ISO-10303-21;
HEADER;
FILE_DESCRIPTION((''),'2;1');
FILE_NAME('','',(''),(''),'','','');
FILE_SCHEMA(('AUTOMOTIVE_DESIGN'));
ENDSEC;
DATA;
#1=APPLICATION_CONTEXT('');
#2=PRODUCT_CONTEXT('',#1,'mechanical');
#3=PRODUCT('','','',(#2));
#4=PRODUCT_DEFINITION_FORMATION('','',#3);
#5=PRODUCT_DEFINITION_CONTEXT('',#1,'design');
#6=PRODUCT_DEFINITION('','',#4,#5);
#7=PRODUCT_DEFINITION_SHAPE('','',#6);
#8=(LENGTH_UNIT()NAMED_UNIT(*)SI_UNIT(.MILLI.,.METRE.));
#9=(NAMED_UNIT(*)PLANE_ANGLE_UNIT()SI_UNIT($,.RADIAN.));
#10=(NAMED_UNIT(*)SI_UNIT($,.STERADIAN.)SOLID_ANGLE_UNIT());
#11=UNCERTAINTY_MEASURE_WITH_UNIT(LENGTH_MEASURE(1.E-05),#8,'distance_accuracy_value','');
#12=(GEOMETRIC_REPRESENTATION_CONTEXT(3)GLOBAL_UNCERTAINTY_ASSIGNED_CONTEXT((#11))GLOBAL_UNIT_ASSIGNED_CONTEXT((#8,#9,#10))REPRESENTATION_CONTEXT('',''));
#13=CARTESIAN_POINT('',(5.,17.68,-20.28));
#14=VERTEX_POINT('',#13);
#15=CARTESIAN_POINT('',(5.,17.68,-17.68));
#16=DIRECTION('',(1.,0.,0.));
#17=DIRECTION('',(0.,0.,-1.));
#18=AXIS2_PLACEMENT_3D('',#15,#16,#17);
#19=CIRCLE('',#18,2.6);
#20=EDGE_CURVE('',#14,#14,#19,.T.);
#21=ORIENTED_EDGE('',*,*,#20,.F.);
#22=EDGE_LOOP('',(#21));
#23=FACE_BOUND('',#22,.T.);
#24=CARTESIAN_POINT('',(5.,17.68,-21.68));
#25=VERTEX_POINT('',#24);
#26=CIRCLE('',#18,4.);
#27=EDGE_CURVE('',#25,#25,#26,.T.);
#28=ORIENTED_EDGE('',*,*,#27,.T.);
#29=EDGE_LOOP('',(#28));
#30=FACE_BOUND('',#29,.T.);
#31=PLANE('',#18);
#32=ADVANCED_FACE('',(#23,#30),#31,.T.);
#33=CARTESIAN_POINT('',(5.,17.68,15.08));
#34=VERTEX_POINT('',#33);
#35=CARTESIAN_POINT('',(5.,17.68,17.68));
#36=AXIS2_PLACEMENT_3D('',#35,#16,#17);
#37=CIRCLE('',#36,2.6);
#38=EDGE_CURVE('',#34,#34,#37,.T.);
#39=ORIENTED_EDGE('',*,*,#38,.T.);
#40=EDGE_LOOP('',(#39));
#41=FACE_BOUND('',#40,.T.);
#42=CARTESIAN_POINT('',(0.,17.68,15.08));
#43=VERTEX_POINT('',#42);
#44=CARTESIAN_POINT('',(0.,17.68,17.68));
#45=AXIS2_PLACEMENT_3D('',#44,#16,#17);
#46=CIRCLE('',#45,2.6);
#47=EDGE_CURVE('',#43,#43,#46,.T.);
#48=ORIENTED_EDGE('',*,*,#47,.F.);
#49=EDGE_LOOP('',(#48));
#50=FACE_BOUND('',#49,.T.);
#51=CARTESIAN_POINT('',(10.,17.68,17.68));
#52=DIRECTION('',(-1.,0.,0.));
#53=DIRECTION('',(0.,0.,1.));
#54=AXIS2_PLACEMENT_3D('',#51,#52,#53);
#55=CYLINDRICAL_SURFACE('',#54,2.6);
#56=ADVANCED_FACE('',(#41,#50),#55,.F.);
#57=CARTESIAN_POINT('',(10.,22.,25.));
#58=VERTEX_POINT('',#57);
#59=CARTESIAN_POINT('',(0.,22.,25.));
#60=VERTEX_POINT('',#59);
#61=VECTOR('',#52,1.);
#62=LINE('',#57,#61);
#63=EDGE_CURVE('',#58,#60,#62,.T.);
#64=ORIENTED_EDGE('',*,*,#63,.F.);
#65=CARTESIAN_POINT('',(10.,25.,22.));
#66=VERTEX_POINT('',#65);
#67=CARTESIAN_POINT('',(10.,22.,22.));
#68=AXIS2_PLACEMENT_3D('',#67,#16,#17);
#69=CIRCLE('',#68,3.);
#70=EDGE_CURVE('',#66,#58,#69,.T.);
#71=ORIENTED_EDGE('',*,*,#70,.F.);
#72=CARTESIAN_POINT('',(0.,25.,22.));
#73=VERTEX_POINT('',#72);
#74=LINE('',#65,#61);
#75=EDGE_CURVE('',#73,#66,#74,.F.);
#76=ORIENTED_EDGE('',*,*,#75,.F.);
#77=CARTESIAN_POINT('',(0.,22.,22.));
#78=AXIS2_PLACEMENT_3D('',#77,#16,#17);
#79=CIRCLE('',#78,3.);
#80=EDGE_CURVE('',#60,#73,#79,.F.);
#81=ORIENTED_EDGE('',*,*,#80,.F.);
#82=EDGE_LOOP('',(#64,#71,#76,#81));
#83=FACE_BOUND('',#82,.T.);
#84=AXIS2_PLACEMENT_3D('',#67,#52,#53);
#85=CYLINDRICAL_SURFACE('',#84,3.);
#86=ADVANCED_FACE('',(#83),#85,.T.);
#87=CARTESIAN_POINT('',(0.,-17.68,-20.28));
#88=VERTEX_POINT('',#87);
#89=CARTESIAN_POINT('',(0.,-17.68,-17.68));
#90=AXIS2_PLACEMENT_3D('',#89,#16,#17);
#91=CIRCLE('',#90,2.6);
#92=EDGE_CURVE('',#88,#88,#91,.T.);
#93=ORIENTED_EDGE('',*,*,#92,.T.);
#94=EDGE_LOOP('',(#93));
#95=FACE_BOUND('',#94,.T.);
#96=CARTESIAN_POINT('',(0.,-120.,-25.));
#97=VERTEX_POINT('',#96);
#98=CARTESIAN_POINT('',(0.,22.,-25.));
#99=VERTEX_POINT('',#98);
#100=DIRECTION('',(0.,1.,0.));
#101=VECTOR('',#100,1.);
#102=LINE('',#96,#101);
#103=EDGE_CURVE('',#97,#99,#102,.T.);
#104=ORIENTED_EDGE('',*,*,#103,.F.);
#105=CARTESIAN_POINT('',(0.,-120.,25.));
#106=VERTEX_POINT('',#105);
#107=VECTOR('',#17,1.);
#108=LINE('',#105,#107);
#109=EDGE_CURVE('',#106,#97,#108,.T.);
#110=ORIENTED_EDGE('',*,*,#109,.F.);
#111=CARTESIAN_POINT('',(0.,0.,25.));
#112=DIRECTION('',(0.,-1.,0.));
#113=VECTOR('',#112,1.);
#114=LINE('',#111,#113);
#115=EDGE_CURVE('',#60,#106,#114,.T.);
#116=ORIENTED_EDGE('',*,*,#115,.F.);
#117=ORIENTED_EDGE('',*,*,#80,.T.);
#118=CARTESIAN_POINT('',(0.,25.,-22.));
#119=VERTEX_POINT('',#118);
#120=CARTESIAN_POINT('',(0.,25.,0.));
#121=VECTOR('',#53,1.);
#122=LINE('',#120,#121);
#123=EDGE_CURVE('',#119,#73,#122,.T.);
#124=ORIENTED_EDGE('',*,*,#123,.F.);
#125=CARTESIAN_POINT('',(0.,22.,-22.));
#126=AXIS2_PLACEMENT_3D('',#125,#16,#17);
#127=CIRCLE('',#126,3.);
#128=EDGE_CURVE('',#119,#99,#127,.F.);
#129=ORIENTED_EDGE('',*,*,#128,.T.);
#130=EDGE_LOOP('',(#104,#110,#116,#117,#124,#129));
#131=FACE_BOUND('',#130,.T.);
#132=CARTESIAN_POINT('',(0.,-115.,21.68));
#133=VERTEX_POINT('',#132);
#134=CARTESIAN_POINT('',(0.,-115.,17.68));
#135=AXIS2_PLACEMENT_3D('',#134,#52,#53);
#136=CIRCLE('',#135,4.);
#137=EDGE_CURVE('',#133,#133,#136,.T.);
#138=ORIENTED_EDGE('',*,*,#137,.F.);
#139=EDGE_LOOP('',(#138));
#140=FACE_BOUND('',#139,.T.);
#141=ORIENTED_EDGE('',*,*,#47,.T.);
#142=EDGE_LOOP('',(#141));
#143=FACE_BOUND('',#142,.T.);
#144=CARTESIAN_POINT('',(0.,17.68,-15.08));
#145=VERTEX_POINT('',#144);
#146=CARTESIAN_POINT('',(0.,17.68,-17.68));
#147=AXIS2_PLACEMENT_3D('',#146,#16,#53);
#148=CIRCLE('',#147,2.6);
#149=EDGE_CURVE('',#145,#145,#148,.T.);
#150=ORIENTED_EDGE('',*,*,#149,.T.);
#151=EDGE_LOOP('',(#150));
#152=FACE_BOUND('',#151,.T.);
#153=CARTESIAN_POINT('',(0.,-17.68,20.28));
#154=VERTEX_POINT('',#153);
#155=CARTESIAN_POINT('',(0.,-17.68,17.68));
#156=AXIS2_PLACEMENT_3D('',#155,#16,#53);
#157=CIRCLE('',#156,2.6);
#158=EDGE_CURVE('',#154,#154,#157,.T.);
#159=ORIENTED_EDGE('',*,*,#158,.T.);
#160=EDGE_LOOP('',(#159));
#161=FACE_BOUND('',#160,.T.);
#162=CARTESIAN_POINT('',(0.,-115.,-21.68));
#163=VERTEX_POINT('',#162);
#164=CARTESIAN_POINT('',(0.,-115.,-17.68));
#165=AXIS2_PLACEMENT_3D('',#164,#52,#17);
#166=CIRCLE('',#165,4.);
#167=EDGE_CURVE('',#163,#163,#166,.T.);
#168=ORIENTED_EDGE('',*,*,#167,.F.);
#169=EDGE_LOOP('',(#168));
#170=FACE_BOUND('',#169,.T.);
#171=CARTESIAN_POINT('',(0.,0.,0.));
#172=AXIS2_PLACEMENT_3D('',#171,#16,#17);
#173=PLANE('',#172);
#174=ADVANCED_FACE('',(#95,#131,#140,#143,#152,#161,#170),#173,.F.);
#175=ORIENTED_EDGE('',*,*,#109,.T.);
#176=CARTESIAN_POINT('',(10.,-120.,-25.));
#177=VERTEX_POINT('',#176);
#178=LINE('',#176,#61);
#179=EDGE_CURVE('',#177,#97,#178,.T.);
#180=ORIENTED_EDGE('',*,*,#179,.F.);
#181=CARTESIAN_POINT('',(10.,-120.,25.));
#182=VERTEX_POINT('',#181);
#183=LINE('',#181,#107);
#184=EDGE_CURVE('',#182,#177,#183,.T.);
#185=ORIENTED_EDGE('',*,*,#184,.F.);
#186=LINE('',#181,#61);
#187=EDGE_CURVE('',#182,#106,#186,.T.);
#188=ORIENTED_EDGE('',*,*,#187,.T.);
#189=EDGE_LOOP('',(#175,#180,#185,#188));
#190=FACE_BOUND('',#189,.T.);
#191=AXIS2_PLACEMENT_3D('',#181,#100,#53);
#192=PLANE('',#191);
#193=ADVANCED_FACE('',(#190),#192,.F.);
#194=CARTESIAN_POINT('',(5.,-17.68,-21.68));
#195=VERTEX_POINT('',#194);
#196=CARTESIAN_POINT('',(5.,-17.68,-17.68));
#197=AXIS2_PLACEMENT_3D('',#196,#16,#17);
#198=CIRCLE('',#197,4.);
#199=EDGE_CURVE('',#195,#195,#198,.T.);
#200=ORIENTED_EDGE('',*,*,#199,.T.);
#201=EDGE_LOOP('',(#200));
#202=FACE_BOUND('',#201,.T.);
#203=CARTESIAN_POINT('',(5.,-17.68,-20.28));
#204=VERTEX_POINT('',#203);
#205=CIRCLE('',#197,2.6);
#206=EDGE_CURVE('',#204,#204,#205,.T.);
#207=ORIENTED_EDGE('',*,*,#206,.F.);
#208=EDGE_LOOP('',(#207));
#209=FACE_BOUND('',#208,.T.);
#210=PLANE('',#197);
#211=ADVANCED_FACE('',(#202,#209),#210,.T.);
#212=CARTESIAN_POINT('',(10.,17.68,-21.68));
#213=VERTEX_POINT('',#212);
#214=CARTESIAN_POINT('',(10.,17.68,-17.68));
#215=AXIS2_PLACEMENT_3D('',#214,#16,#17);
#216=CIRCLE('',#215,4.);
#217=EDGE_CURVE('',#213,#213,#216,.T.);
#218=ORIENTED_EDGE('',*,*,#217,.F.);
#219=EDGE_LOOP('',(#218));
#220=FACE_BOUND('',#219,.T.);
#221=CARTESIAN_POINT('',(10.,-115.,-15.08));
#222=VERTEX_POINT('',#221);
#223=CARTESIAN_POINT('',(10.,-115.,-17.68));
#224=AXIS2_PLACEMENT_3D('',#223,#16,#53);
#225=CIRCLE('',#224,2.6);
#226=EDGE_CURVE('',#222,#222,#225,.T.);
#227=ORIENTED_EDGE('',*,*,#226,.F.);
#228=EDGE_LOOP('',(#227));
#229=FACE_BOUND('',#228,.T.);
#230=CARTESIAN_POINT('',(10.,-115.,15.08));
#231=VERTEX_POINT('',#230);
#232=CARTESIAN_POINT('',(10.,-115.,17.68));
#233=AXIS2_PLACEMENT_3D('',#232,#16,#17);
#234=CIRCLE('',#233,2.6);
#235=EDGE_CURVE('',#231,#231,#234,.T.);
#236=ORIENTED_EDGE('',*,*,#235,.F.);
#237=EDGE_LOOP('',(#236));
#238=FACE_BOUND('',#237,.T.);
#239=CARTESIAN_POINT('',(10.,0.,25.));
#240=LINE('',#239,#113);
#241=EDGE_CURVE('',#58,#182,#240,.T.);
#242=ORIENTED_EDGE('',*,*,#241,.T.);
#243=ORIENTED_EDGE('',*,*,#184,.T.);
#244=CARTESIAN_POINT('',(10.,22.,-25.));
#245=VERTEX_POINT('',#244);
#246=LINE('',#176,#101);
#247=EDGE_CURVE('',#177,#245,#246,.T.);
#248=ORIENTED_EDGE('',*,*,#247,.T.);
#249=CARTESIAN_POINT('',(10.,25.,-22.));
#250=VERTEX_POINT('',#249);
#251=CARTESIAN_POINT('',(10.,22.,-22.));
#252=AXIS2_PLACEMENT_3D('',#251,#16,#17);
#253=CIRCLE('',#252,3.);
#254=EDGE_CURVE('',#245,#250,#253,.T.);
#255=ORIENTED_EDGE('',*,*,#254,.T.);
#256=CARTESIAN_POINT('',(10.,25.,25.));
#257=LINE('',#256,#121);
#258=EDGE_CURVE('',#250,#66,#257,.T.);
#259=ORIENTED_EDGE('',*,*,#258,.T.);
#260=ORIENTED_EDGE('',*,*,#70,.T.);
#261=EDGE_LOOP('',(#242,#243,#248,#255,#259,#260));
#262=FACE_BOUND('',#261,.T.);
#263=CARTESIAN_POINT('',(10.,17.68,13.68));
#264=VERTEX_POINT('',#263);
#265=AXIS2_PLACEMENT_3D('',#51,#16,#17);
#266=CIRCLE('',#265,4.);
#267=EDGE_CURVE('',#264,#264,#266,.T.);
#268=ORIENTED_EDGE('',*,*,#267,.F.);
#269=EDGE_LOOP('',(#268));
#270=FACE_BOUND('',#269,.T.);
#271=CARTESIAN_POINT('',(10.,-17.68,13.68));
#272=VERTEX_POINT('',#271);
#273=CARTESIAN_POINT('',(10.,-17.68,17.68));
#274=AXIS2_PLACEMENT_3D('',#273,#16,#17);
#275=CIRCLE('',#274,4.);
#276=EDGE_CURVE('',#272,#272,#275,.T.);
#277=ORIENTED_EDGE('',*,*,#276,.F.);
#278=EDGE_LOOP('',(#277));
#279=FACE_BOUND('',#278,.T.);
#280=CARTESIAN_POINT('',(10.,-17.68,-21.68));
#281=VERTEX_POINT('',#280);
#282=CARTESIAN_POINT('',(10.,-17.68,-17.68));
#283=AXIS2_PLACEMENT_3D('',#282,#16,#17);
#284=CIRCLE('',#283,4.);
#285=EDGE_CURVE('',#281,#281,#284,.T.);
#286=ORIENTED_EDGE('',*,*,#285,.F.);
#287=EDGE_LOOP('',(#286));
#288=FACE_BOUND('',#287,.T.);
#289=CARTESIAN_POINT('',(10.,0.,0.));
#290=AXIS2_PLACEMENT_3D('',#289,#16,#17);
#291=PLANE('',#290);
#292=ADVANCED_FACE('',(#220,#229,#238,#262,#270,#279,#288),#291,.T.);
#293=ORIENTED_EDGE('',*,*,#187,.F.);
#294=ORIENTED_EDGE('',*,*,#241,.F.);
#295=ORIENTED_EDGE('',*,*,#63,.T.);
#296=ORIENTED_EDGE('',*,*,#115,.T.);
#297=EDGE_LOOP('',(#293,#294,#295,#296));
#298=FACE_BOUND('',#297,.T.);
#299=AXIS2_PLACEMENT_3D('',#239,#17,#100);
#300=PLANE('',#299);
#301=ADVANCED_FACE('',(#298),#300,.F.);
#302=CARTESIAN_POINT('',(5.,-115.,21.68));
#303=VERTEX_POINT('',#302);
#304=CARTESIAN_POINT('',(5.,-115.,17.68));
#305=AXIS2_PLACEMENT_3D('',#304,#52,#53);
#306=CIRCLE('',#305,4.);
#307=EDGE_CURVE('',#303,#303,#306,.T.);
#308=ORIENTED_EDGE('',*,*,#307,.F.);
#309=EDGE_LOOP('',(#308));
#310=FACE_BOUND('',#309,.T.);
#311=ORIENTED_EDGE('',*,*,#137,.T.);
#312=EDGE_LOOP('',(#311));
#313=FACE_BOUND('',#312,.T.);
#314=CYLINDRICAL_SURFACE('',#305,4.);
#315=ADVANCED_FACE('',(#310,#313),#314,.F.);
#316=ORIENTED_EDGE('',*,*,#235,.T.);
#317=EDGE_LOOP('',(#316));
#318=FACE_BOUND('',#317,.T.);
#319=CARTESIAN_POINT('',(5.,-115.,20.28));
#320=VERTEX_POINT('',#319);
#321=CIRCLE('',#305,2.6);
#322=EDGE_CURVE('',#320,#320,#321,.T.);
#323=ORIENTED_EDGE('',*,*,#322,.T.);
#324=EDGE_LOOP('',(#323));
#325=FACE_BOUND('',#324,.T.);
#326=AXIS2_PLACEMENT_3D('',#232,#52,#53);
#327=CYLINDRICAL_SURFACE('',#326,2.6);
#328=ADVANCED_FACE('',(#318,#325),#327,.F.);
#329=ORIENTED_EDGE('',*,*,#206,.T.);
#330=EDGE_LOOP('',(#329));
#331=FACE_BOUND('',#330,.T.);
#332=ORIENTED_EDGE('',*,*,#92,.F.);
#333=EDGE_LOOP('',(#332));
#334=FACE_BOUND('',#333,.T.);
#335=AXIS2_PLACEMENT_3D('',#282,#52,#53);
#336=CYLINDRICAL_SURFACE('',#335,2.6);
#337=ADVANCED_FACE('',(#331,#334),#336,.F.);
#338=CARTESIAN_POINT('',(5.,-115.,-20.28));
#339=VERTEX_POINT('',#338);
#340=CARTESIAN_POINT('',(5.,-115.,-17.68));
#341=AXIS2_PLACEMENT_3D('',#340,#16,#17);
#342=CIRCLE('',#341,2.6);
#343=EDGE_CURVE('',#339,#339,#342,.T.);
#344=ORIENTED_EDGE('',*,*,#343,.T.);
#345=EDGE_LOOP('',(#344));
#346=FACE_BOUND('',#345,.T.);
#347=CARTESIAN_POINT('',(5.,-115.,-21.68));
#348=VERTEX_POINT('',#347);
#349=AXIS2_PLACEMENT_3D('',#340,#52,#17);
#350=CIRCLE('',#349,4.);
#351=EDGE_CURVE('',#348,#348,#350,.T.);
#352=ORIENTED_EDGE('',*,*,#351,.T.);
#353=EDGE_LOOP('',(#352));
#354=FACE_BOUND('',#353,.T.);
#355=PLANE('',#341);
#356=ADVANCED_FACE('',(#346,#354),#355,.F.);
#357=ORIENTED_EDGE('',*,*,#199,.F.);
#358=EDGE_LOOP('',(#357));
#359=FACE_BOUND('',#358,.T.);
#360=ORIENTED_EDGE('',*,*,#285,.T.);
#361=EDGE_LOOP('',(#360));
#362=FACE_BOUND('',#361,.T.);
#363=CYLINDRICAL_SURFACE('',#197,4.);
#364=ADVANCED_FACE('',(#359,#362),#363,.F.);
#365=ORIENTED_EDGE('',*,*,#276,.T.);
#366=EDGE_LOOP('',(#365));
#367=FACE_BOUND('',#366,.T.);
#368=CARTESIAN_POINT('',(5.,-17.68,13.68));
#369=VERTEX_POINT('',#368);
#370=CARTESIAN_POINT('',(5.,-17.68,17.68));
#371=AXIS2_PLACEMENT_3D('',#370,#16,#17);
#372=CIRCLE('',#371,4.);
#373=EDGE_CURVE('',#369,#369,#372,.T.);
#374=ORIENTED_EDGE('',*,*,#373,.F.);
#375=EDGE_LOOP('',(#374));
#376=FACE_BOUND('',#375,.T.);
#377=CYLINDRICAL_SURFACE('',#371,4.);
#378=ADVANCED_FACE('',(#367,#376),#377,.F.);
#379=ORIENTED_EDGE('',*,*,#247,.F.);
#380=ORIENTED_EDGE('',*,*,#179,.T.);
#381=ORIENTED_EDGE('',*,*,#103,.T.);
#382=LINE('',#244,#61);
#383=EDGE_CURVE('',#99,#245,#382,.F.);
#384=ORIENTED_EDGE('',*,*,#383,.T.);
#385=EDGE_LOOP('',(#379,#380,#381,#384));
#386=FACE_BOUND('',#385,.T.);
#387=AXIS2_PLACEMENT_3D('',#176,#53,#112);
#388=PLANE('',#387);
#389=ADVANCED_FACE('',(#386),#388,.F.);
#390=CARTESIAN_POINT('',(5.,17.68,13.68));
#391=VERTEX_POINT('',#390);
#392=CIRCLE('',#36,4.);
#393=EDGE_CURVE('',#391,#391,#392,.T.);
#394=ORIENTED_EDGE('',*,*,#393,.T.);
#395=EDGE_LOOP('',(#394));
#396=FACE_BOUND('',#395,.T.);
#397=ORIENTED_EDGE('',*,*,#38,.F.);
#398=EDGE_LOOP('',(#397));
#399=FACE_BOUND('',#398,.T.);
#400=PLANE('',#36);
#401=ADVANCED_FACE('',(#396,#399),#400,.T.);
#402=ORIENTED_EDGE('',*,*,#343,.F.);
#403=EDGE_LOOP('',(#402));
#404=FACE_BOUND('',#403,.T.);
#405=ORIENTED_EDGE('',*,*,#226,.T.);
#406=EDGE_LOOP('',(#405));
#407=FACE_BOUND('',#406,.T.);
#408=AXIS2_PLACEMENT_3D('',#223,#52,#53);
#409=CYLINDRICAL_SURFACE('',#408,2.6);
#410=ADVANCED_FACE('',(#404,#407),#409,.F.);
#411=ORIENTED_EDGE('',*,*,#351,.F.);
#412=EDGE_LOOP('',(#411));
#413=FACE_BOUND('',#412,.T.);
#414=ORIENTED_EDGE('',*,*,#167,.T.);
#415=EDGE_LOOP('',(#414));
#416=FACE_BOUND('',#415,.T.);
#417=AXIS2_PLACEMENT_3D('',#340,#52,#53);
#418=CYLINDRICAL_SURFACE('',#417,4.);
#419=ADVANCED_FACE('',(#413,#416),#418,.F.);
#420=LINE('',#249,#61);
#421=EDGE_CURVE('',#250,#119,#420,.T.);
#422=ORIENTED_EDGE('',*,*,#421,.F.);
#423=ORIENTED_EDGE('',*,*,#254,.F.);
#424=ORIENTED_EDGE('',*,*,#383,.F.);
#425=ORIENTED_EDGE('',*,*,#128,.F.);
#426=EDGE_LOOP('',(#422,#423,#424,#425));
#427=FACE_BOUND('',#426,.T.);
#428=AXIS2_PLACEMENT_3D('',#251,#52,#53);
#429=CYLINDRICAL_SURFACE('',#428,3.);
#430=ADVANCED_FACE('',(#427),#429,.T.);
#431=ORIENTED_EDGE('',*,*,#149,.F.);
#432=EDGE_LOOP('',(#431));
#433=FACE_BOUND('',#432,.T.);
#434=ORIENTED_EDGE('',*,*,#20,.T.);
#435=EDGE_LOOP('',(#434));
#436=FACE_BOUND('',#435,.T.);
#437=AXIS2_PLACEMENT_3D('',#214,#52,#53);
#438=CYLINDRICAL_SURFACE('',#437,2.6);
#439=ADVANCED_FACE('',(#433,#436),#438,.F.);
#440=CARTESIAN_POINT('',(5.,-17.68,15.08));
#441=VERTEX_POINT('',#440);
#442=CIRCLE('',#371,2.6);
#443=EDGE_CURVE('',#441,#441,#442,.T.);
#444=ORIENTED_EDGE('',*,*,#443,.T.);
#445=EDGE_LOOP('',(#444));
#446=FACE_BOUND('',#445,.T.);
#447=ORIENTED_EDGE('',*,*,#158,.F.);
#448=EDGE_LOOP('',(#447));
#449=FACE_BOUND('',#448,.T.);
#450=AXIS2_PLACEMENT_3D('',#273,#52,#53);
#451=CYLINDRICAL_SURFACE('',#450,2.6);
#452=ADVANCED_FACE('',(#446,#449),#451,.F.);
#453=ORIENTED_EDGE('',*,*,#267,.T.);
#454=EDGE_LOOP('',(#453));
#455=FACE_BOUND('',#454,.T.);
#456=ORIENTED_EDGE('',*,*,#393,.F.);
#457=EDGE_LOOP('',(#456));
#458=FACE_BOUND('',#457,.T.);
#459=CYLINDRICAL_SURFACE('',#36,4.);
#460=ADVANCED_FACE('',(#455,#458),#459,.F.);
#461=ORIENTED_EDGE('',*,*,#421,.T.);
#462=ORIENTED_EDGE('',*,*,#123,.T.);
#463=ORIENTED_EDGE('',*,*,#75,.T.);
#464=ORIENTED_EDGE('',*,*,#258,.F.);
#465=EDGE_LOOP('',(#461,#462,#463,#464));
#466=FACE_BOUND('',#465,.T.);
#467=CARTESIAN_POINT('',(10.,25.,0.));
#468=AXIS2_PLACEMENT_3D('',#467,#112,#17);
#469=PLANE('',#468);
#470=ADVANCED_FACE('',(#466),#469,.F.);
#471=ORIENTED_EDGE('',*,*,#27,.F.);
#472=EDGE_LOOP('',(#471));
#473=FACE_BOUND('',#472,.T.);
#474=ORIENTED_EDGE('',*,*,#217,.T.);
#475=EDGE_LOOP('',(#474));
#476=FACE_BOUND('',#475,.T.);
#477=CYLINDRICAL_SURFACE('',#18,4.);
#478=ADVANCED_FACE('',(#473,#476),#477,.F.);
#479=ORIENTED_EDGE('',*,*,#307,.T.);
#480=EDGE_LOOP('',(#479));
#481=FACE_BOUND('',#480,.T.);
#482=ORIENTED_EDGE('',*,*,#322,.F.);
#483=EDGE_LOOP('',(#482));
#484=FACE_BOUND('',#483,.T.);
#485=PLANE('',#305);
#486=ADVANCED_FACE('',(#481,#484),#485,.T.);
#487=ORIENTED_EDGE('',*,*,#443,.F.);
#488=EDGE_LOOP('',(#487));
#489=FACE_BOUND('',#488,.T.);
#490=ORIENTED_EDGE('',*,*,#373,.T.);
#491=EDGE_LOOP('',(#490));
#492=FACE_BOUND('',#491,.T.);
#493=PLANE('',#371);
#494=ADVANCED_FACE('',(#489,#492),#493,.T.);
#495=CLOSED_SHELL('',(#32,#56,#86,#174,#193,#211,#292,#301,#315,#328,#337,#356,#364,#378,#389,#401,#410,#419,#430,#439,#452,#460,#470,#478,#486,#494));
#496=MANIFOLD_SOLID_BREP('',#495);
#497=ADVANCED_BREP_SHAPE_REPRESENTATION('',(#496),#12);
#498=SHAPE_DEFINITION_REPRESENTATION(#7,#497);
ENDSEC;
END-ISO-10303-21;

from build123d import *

# Parameters (mm, degrees)
CROQUIS1_R              = 2.6
SALIENTE_EXTRUIR1_DEPTH = 10
CROQUIS5_R              = 4
CORTAR_EXTRUIR2_DEPTH   = 5
FILLET1_R               = 3
SKETCH1_R               = 4
CUT_EXTRUDE1_DEPTH      = 5


with BuildPart() as part:
    # Croquis1 → Saliente-Extruir1 (new body)
    with BuildSketch(Plane(origin=(0, 0, 0), x_dir=(0, 0, -1), z_dir=(1, 0, 0))):
        Polygon((-25, -120), (25, -120), (25, 25), (0, 25), (-25, 25), (-25, 0), align=None)
        with Locations((-17.68, 17.68)):
            Circle(CROQUIS1_R, mode=Mode.SUBTRACT)
        with Locations(Location((17.68, 17.68, 0), (0, 0, 180))):
            Circle(CROQUIS1_R, mode=Mode.SUBTRACT)
        with Locations((17.68, -17.68)):
            Circle(CROQUIS1_R, mode=Mode.SUBTRACT)
        with Locations(Location((-17.68, -17.68, 0), (0, 0, 180))):
            Circle(CROQUIS1_R, mode=Mode.SUBTRACT)
        with Locations((-17.68, -115)):
            Circle(CROQUIS1_R, mode=Mode.SUBTRACT)
        with Locations(Location((17.68, -115, 0), (0, 0, 180))):
            Circle(CROQUIS1_R, mode=Mode.SUBTRACT)
    extrude(amount=SALIENTE_EXTRUIR1_DEPTH)

    # Croquis5 → Cortar-Extruir2 (cut)
    with BuildSketch(Plane(origin=(10, 0, 0), x_dir=(0, 0, -1), z_dir=(1, 0, 0))):
        with Locations((17.68, 17.68)):
            Circle(CROQUIS5_R)
        with Locations((-17.68, 17.68)):
            Circle(CROQUIS5_R)
        with Locations((-17.68, -17.68)):
            Circle(CROQUIS5_R)
        with Locations((17.68, -17.68)):
            Circle(CROQUIS5_R)
    extrude(amount=-CORTAR_EXTRUIR2_DEPTH, mode=Mode.SUBTRACT)

    # Fillet1
    fillet1_edges = [part.edges().sort_by_distance(p)[0] for p in [
        (5, 25, -25),
        (5, 25, 25),
    ]]
    fillet(fillet1_edges, radius=FILLET1_R)

    # Sketch1 → Cut-Extrude1 (cut)
    with BuildSketch(Plane.ZY):
        with Locations((17.68, -115)):
            Circle(SKETCH1_R)
        with Locations(Location((-17.68, -115, 0), (0, 0, 180))):
            Circle(SKETCH1_R)
    extrude(amount=-CUT_EXTRUDE1_DEPTH, mode=Mode.SUBTRACT)


solid = part.part
